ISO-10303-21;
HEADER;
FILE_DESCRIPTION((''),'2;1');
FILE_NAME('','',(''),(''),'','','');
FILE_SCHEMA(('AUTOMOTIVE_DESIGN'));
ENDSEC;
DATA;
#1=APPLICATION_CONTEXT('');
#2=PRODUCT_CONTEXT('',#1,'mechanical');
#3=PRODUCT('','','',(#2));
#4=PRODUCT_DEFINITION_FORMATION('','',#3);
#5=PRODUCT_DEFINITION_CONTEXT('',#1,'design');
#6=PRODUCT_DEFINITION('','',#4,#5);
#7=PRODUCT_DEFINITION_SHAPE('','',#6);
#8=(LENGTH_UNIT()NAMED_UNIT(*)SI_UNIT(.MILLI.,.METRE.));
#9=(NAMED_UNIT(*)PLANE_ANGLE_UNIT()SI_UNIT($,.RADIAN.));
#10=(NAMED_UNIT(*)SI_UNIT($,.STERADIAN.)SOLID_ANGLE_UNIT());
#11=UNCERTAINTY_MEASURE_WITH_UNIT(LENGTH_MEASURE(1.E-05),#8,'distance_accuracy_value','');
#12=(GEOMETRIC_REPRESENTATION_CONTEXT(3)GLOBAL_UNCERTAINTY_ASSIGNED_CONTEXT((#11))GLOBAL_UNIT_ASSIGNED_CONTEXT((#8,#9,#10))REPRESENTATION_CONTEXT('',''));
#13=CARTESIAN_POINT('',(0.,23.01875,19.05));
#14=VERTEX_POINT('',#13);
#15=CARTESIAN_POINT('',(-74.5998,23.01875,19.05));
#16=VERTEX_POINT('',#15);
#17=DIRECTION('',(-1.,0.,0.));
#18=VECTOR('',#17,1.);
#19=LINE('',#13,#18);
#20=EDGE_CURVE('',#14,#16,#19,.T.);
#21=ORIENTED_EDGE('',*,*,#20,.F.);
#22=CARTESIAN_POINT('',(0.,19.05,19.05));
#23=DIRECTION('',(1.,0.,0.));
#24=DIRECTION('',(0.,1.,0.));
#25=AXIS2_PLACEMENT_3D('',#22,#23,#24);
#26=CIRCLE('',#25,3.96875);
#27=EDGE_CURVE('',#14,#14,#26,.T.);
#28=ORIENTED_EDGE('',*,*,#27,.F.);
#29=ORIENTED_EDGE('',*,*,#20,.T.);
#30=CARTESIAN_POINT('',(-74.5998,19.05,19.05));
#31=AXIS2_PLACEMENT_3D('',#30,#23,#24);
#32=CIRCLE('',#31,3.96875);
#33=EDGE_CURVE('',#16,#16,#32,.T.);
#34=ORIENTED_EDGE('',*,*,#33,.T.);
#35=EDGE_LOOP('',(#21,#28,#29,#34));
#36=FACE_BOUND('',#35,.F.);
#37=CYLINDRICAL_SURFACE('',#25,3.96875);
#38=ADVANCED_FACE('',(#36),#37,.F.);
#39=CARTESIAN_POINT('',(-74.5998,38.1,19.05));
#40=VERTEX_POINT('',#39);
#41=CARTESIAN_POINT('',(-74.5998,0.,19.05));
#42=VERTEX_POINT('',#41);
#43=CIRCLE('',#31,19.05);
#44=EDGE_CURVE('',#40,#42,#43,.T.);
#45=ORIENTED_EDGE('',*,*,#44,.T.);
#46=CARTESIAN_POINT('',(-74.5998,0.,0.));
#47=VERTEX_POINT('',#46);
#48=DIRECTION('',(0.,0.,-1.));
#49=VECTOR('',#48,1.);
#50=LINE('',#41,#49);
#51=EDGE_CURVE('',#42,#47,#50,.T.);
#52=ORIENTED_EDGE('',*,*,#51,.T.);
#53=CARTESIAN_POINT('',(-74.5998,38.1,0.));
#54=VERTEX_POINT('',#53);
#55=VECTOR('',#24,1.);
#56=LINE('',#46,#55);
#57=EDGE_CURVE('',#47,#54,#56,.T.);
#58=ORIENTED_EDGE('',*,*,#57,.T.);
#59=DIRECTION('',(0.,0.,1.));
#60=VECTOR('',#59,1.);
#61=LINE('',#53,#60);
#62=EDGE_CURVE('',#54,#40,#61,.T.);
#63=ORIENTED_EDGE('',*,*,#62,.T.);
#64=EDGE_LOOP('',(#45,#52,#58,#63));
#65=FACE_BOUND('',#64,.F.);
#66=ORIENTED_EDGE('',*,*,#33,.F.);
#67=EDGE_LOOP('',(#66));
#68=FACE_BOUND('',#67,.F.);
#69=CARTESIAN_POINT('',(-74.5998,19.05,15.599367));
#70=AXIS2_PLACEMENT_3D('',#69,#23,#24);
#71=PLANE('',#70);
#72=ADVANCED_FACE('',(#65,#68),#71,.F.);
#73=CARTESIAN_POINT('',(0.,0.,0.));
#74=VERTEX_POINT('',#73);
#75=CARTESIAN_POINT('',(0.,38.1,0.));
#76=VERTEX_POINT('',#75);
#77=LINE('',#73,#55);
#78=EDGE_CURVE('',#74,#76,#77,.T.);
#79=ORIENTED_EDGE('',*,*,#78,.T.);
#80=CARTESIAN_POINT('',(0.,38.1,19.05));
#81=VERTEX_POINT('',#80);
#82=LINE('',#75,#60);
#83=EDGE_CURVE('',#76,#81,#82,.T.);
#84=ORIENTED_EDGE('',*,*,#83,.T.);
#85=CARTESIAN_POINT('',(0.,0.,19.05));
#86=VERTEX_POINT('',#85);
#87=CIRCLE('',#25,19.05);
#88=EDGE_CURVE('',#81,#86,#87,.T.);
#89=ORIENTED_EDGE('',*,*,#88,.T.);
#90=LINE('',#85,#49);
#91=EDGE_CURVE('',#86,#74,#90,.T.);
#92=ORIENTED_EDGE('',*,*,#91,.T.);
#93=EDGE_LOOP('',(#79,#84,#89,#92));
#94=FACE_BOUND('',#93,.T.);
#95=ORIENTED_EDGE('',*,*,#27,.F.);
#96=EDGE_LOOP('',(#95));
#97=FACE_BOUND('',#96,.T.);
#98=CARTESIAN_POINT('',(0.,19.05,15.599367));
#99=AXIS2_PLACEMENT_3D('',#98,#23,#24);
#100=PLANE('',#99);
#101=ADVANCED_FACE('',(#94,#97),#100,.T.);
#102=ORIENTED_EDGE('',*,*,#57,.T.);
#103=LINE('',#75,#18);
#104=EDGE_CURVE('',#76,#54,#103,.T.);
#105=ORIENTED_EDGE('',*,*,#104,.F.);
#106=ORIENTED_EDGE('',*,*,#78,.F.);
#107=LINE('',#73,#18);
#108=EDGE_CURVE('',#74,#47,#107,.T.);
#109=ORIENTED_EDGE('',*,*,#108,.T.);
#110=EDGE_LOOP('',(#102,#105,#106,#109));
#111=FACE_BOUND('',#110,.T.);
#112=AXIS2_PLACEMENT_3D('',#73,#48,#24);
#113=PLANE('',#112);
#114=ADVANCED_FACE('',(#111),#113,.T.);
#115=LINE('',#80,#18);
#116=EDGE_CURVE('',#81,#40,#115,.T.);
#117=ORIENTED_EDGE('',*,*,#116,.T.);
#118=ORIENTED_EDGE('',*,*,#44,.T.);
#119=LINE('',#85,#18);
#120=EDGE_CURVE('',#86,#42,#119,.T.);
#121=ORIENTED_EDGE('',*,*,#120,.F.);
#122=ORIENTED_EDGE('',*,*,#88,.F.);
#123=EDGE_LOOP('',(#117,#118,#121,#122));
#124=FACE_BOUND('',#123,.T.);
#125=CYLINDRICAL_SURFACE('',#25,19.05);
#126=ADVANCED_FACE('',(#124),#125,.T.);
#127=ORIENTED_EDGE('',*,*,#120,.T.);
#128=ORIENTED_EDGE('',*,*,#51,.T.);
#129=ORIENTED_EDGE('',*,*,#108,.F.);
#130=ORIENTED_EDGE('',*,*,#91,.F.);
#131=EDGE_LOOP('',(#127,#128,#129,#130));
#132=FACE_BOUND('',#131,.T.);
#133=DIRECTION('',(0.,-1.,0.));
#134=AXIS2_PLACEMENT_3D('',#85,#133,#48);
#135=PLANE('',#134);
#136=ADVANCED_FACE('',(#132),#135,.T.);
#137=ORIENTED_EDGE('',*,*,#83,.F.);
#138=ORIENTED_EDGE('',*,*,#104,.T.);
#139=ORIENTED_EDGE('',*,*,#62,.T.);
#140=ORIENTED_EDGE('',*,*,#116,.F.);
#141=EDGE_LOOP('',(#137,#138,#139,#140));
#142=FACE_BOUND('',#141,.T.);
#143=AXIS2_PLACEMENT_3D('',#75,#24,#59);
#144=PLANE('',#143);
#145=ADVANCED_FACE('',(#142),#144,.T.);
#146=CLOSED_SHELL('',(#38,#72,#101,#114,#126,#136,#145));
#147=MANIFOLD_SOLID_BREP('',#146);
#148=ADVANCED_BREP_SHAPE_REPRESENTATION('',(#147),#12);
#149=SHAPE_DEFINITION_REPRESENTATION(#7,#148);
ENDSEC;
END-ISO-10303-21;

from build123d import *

# Parameters (mm, degrees)
F0_R     = 3.96875
F1_DEPTH = 74.5998


with BuildPart() as f1:
    # F0 (on Right) → F1 (new body)
    with BuildSketch(Plane.YZ):
        with BuildLine():
            Line((0, 19.05), (0, 0))
            Line((0, 0), (38.1, 0))
            Line((38.1, 0), (38.1, 19.05))
            ThreePointArc((38.1, 19.05), (19.05, 38.1), (0, 19.05))
        make_face()
        with Locations((19.05, 19.05)):
            Circle(F0_R, mode=Mode.SUBTRACT)
    extrude(amount=-F1_DEPTH)


solid = f1.part
